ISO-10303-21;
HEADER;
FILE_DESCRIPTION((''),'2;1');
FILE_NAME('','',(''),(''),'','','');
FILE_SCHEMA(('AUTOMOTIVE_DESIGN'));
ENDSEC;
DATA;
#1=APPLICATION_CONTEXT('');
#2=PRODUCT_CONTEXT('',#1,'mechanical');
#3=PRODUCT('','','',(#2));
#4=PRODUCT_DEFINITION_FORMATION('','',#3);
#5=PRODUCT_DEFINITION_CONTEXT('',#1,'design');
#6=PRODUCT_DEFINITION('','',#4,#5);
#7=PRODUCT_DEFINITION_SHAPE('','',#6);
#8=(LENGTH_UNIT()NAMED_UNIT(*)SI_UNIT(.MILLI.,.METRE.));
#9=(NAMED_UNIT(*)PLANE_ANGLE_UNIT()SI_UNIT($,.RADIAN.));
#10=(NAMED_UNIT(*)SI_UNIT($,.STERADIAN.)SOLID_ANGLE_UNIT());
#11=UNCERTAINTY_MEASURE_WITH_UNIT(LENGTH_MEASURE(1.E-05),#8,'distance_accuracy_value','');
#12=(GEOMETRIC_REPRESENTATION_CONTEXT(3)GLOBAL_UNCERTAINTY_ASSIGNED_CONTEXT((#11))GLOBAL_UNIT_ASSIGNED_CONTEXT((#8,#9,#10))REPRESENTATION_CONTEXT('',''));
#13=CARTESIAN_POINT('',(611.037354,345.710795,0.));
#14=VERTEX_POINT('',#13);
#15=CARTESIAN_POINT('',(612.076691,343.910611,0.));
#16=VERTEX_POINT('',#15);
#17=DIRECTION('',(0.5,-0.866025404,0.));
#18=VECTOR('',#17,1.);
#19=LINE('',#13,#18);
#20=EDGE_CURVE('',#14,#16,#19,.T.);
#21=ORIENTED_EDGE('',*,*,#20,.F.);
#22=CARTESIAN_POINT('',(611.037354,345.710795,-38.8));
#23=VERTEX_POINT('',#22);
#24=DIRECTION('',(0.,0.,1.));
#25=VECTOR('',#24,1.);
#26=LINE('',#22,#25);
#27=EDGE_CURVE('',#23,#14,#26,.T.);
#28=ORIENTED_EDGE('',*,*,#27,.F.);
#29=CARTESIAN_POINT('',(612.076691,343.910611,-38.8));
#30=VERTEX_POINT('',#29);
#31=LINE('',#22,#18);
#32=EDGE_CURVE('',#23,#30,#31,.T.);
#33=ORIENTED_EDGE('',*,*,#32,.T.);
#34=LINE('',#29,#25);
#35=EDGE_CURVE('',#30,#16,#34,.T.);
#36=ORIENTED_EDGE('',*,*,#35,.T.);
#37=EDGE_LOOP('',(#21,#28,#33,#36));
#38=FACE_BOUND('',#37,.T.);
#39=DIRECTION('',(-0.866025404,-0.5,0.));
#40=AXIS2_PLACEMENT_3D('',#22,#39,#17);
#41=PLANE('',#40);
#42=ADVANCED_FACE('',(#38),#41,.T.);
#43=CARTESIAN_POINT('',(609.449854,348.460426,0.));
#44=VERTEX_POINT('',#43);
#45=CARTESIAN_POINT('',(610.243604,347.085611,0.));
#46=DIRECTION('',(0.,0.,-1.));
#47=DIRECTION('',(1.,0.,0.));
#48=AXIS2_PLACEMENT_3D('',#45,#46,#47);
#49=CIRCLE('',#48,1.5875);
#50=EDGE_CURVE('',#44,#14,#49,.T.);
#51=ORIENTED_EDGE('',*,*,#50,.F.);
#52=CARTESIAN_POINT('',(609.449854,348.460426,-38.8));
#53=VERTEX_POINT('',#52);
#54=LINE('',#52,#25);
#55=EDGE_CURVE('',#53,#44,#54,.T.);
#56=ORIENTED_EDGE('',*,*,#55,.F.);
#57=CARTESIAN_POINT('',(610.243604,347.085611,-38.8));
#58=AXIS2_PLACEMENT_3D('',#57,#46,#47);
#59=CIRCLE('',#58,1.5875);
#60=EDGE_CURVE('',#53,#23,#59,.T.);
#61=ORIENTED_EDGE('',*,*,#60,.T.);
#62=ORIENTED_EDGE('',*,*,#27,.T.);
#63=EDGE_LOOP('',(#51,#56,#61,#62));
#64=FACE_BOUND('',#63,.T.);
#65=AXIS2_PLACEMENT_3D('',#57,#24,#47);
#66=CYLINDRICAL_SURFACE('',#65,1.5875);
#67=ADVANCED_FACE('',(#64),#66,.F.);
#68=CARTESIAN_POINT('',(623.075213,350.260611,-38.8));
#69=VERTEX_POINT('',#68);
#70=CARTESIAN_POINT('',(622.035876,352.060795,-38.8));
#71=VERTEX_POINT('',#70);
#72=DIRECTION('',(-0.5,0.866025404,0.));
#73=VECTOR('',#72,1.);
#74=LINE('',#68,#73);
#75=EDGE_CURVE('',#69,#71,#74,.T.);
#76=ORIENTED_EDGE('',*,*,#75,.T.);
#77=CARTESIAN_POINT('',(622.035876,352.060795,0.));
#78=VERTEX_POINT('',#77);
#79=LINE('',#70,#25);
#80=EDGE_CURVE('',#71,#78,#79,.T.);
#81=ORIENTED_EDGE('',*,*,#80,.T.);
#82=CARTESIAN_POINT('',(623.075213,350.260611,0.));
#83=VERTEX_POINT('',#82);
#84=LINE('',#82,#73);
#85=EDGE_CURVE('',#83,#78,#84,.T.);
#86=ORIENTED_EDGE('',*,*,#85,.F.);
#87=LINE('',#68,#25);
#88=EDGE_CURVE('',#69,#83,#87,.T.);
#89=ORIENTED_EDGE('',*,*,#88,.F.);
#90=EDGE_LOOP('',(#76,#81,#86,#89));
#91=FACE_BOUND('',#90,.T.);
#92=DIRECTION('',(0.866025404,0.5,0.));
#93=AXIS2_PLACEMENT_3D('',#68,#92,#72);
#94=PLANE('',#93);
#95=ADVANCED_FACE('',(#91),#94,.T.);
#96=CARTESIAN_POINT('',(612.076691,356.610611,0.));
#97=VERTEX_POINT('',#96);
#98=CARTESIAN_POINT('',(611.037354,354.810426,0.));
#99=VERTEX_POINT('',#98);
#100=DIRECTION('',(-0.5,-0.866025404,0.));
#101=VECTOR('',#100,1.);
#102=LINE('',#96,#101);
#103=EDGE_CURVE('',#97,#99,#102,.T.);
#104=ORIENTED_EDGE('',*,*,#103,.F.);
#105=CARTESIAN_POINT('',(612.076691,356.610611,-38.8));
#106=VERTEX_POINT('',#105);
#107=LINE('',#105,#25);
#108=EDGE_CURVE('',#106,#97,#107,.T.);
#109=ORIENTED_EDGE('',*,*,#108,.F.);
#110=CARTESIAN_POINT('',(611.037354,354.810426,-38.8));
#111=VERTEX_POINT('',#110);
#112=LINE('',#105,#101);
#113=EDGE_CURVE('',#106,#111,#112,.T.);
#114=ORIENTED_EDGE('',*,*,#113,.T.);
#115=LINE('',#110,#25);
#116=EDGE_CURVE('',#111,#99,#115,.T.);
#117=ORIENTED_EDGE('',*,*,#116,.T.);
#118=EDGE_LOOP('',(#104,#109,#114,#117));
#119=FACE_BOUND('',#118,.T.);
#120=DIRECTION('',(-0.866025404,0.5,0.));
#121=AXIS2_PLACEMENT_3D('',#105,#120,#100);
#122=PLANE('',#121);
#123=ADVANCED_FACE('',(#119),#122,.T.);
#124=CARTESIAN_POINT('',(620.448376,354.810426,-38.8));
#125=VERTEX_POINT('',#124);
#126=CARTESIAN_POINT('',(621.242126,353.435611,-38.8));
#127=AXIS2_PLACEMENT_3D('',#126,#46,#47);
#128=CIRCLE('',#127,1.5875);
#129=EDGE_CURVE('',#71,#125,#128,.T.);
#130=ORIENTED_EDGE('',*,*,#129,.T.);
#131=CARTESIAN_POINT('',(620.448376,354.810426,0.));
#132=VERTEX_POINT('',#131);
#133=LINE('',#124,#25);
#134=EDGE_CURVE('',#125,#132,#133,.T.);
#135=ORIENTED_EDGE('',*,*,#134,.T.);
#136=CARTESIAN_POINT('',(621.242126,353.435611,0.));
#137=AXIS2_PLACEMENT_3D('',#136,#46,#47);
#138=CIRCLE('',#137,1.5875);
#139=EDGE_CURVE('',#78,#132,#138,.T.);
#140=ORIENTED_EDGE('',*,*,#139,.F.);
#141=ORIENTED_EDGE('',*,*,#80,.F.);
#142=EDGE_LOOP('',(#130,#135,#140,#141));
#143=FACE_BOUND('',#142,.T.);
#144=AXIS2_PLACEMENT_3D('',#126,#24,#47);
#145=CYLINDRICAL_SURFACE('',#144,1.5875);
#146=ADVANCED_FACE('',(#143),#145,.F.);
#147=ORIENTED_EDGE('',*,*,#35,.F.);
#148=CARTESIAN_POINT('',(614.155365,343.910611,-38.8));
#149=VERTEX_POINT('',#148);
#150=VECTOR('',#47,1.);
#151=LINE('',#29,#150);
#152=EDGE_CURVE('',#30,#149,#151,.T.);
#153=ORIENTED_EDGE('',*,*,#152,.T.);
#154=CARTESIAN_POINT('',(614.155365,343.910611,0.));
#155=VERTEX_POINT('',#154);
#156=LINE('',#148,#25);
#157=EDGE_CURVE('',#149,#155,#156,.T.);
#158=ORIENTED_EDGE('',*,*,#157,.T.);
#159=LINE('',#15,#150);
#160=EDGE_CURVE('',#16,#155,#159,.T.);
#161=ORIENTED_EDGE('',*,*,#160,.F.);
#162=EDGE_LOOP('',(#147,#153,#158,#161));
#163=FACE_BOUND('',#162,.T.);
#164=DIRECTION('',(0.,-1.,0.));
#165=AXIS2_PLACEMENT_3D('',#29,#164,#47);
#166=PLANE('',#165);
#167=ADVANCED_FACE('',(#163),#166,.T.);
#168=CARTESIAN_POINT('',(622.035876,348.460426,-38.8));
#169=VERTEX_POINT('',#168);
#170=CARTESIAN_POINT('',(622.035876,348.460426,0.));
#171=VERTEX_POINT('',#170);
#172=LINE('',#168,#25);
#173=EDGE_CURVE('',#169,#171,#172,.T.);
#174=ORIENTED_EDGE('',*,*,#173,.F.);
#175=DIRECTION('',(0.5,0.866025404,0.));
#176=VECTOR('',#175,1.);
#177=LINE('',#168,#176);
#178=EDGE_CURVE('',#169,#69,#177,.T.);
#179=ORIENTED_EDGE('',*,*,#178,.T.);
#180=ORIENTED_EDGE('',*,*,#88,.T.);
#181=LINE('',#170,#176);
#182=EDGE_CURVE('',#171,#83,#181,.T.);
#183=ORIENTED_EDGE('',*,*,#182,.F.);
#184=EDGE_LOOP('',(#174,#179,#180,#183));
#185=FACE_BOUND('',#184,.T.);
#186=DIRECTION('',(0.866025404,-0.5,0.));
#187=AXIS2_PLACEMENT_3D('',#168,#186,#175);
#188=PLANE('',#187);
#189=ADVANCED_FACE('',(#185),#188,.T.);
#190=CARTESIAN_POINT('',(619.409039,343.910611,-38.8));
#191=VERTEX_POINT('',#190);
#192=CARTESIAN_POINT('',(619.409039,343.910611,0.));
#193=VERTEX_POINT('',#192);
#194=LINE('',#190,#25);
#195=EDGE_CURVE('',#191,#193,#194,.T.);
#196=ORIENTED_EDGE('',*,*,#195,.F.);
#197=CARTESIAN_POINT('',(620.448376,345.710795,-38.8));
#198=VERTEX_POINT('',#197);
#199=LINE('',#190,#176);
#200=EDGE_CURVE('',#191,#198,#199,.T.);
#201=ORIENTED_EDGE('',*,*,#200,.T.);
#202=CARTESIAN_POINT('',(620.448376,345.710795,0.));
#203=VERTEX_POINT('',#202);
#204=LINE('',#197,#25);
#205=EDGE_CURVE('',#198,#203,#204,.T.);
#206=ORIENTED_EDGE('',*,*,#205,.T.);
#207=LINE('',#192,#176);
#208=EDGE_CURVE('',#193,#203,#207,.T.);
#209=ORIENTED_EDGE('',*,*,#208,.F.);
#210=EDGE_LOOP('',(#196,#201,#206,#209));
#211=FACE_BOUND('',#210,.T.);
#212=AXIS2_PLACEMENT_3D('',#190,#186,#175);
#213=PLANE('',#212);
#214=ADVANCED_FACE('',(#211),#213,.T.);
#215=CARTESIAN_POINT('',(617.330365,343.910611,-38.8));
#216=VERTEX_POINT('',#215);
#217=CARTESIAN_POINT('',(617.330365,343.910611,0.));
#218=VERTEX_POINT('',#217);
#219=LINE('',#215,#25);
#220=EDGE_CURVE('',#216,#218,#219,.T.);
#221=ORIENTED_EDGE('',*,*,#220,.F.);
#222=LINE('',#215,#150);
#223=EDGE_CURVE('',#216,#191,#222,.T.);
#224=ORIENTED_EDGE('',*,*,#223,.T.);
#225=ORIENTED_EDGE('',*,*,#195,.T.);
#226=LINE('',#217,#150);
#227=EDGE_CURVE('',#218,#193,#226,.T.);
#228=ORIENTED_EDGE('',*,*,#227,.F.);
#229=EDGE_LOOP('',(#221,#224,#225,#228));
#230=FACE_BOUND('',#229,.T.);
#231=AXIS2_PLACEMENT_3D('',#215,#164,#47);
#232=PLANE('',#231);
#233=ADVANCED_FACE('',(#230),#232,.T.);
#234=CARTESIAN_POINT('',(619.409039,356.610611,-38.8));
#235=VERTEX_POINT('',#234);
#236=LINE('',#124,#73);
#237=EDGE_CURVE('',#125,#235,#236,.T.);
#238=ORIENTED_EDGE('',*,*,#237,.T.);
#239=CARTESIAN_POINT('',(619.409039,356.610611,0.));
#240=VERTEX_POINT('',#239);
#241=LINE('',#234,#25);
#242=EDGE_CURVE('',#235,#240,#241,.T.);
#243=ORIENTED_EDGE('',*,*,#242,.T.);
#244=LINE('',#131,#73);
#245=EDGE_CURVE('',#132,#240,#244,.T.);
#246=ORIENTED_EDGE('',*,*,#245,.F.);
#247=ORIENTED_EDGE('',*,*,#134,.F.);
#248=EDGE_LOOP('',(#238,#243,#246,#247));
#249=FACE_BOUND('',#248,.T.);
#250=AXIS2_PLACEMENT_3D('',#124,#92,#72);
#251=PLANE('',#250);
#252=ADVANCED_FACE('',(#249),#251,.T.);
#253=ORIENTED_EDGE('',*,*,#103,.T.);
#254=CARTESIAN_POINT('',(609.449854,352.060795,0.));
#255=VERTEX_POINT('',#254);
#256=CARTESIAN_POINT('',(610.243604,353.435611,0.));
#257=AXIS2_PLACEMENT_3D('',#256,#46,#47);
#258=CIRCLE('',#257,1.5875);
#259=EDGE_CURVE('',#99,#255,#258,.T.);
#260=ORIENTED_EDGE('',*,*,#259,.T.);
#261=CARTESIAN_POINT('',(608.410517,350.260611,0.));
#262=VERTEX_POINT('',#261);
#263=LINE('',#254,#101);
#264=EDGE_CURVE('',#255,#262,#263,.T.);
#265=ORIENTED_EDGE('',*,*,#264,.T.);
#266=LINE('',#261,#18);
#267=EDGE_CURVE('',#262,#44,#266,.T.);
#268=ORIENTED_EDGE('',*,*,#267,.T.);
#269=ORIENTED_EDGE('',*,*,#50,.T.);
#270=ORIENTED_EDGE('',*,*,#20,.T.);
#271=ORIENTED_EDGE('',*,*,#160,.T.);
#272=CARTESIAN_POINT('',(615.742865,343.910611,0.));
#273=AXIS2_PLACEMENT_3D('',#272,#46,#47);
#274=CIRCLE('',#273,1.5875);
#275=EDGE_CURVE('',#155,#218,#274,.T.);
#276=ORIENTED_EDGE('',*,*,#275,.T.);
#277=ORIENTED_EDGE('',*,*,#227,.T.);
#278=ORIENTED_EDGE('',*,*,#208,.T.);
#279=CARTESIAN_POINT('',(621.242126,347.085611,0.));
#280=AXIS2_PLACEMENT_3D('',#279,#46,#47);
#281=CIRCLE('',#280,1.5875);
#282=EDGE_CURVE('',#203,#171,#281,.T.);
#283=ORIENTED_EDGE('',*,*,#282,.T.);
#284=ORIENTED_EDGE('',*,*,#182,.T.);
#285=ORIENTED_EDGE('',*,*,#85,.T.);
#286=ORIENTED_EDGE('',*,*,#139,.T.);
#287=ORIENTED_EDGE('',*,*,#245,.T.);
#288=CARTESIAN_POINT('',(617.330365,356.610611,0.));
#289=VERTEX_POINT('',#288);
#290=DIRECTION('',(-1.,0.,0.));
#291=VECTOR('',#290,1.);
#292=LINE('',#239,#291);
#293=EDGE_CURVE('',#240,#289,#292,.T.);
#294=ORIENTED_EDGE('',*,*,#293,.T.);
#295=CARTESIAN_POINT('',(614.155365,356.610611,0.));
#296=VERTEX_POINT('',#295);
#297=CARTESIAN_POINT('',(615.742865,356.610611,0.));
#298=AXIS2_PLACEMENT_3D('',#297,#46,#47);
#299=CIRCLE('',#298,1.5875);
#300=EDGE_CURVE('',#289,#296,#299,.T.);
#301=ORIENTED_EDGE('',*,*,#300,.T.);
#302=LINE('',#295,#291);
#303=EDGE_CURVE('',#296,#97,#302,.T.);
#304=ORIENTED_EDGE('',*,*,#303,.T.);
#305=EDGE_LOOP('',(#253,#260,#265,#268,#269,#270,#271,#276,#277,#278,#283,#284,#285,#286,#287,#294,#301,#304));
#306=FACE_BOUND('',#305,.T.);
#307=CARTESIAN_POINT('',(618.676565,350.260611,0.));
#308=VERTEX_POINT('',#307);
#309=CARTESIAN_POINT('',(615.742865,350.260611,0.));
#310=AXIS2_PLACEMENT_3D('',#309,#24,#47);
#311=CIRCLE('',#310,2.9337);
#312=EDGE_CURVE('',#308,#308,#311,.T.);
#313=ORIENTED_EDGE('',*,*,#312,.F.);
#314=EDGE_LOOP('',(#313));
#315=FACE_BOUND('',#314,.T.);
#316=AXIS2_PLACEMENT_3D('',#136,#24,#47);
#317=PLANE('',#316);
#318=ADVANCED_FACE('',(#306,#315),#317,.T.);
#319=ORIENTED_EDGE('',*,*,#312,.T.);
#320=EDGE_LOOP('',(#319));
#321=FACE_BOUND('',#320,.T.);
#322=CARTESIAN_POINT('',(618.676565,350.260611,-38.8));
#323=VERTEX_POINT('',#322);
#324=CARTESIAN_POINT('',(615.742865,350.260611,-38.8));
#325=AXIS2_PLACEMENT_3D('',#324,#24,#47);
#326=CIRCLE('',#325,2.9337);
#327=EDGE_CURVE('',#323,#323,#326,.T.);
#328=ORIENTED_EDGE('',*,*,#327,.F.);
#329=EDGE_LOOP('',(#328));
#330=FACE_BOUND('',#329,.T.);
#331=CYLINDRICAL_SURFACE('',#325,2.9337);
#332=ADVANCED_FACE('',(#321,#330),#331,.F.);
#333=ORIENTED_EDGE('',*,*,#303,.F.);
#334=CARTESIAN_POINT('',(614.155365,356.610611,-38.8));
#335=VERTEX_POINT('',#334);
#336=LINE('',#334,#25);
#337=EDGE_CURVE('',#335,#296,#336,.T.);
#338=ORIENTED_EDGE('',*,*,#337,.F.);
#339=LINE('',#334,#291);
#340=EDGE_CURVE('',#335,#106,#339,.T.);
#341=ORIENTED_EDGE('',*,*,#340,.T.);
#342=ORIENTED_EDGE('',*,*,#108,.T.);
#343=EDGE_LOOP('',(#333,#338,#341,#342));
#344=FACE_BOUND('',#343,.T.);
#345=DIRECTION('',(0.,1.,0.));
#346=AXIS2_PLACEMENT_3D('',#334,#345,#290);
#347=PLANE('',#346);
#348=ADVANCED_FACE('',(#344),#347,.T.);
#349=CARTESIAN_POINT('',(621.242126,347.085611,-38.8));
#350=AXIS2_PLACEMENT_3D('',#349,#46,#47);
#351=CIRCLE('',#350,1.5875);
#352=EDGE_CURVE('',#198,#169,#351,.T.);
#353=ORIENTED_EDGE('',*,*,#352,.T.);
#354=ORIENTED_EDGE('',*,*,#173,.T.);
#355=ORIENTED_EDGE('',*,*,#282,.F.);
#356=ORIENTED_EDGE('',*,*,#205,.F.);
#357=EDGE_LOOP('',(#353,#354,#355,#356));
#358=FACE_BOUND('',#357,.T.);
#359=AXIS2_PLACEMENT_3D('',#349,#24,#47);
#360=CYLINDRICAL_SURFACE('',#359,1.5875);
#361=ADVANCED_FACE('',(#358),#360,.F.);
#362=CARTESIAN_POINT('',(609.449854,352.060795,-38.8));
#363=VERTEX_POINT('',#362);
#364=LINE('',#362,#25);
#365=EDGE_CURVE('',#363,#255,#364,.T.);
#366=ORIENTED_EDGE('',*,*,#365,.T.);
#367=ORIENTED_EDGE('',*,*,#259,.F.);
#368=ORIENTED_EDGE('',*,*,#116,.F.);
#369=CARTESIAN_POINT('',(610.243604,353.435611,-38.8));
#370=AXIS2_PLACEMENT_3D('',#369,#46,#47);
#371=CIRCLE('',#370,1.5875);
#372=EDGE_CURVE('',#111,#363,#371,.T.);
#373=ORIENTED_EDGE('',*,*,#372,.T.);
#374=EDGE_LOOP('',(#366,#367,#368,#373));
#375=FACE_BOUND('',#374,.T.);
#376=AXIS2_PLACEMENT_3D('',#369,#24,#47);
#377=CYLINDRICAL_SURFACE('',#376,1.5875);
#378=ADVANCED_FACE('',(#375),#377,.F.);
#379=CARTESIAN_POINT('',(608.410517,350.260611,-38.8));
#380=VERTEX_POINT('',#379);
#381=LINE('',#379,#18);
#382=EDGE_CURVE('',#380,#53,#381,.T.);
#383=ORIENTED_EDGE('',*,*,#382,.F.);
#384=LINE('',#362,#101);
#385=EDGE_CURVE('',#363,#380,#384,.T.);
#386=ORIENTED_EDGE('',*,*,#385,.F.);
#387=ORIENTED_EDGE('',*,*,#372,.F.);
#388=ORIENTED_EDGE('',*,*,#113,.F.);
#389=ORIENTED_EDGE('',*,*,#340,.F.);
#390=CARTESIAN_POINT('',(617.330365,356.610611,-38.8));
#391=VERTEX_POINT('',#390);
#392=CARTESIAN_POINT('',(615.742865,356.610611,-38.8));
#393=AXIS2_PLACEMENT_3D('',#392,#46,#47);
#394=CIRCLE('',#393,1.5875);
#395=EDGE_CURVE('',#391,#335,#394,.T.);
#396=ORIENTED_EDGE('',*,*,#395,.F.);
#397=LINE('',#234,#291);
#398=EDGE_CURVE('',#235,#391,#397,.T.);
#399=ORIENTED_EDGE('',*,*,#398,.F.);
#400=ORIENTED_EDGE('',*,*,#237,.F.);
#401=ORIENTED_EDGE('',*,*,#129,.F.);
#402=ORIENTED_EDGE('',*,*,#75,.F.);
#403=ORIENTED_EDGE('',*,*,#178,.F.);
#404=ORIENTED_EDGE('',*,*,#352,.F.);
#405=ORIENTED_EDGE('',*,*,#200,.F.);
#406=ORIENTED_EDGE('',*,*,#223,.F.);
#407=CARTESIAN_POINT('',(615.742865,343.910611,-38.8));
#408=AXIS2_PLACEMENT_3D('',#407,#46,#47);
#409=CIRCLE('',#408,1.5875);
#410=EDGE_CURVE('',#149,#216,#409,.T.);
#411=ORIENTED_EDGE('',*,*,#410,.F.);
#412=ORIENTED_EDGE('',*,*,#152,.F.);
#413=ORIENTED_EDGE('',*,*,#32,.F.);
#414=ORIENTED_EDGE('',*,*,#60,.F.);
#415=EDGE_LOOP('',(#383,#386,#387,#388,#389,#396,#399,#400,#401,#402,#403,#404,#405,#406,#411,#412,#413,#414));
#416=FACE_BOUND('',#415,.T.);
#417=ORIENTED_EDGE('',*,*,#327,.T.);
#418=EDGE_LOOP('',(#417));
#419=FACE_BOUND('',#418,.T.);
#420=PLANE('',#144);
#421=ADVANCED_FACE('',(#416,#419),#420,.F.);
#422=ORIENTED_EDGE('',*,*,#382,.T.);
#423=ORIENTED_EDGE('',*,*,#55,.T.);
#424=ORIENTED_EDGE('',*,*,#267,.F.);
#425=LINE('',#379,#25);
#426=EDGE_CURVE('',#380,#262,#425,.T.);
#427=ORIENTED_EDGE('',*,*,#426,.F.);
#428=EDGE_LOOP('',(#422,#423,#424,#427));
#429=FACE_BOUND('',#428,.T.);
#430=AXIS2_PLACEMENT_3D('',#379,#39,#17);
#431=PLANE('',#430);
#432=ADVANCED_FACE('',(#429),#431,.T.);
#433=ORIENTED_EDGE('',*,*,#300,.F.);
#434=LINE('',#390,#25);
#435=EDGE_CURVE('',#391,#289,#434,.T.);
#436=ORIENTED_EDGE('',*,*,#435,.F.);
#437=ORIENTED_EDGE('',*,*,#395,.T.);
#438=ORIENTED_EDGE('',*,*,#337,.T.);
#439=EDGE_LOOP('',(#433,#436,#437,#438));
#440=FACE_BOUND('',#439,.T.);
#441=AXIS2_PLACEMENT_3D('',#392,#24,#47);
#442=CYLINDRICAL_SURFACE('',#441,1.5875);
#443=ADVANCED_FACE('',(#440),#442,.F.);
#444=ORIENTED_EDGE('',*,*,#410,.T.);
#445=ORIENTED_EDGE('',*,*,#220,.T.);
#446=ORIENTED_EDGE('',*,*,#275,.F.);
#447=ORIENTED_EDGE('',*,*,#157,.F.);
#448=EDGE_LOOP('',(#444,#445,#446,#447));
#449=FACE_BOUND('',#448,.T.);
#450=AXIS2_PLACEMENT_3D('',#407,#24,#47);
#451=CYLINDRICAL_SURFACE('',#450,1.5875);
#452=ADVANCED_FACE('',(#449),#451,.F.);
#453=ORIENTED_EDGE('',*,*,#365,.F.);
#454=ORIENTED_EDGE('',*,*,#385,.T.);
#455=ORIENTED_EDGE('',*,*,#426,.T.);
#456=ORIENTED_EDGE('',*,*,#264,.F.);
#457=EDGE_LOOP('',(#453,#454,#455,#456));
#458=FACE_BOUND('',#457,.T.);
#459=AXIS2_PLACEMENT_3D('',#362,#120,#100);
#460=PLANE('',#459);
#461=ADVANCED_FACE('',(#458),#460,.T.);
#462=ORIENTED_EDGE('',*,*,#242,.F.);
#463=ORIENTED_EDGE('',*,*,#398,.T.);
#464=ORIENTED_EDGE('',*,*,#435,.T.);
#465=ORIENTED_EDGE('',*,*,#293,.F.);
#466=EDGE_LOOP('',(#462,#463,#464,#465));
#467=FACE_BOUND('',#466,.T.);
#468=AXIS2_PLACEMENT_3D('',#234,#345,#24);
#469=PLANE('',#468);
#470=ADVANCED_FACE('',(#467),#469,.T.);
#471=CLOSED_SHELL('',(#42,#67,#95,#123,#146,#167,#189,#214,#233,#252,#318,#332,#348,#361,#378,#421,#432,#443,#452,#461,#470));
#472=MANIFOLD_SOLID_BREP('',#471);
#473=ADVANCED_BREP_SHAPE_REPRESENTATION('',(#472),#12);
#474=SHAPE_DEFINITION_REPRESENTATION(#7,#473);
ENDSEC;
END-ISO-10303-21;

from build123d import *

# Parameters (mm, degrees)
SALIENTE_EXTRUIR1_DEPTH = 38.8


with BuildPart() as part:
    # Croquis1 → Saliente-Extruir1 (new body)
    with BuildSketch(Plane.XY):
        with BuildLine():
            Line((620.448376311, 354.810426019), (619.409039206, 356.610610691))
            Line((619.409039206, 356.610610691), (617.330364997, 356.610610691))
            ThreePointArc((617.330364997, 356.610610691), (616.536614955, 355.235795338), (614.949114914, 355.23579541))
            ThreePointArc((614.949114914, 355.23579541), (614.368049644, 355.816860732), (614.155364997, 356.610610691))
            Line((614.155364997, 356.610610691), (612.076690788, 356.610610691))
            Line((612.076690788, 356.610610691), (611.037353683, 354.810426019))
            ThreePointArc((611.037353683, 354.810426019), (611.618419011, 352.641860691), (609.449853683, 352.060795362))
            Line((609.449853683, 352.060795362), (608.410516578, 350.260610691))
            Line((608.410516578, 350.260610691), (609.449853683, 348.460426019))
            ThreePointArc((609.449853683, 348.460426019), (611.618419011, 347.879360691), (611.037353683, 345.710795362))
            Line((611.037353683, 345.710795362), (612.076690788, 343.910610691))
            Line((612.076690788, 343.910610691), (614.155364997, 343.910610691))
            ThreePointArc((614.155364997, 343.910610691), (615.742864997, 345.498110691), (617.330364997, 343.910610691))
            Line((617.330364997, 343.910610691), (619.409039206, 343.910610691))
            Line((619.409039206, 343.910610691), (620.448376311, 345.710795362))
            ThreePointArc((620.448376311, 345.710795362), (619.867310982, 347.879360691), (622.035876311, 348.460426019))
            Line((622.035876311, 348.460426019), (623.075213416, 350.260610691))
            Line((623.075213416, 350.260610691), (622.035876311, 352.060795362))
            ThreePointArc((622.035876311, 352.060795362), (621.242126263, 351.848110691), (620.448376228, 352.06079541))
            ThreePointArc((620.448376228, 352.06079541), (619.654626311, 353.435610739), (620.448376311, 354.810426019))
        make_face()
        with BuildLine():
            ThreePointArc((614.276014843, 347.719952052), (618.283523635, 348.793760537), (617.209715151, 352.801269329))
            ThreePointArc((617.209715151, 352.801269329), (613.202206359, 351.727460845), (614.276014843, 347.719952052))
        make_face(mode=Mode.SUBTRACT)
    extrude(amount=-SALIENTE_EXTRUIR1_DEPTH)


solid = part.part
